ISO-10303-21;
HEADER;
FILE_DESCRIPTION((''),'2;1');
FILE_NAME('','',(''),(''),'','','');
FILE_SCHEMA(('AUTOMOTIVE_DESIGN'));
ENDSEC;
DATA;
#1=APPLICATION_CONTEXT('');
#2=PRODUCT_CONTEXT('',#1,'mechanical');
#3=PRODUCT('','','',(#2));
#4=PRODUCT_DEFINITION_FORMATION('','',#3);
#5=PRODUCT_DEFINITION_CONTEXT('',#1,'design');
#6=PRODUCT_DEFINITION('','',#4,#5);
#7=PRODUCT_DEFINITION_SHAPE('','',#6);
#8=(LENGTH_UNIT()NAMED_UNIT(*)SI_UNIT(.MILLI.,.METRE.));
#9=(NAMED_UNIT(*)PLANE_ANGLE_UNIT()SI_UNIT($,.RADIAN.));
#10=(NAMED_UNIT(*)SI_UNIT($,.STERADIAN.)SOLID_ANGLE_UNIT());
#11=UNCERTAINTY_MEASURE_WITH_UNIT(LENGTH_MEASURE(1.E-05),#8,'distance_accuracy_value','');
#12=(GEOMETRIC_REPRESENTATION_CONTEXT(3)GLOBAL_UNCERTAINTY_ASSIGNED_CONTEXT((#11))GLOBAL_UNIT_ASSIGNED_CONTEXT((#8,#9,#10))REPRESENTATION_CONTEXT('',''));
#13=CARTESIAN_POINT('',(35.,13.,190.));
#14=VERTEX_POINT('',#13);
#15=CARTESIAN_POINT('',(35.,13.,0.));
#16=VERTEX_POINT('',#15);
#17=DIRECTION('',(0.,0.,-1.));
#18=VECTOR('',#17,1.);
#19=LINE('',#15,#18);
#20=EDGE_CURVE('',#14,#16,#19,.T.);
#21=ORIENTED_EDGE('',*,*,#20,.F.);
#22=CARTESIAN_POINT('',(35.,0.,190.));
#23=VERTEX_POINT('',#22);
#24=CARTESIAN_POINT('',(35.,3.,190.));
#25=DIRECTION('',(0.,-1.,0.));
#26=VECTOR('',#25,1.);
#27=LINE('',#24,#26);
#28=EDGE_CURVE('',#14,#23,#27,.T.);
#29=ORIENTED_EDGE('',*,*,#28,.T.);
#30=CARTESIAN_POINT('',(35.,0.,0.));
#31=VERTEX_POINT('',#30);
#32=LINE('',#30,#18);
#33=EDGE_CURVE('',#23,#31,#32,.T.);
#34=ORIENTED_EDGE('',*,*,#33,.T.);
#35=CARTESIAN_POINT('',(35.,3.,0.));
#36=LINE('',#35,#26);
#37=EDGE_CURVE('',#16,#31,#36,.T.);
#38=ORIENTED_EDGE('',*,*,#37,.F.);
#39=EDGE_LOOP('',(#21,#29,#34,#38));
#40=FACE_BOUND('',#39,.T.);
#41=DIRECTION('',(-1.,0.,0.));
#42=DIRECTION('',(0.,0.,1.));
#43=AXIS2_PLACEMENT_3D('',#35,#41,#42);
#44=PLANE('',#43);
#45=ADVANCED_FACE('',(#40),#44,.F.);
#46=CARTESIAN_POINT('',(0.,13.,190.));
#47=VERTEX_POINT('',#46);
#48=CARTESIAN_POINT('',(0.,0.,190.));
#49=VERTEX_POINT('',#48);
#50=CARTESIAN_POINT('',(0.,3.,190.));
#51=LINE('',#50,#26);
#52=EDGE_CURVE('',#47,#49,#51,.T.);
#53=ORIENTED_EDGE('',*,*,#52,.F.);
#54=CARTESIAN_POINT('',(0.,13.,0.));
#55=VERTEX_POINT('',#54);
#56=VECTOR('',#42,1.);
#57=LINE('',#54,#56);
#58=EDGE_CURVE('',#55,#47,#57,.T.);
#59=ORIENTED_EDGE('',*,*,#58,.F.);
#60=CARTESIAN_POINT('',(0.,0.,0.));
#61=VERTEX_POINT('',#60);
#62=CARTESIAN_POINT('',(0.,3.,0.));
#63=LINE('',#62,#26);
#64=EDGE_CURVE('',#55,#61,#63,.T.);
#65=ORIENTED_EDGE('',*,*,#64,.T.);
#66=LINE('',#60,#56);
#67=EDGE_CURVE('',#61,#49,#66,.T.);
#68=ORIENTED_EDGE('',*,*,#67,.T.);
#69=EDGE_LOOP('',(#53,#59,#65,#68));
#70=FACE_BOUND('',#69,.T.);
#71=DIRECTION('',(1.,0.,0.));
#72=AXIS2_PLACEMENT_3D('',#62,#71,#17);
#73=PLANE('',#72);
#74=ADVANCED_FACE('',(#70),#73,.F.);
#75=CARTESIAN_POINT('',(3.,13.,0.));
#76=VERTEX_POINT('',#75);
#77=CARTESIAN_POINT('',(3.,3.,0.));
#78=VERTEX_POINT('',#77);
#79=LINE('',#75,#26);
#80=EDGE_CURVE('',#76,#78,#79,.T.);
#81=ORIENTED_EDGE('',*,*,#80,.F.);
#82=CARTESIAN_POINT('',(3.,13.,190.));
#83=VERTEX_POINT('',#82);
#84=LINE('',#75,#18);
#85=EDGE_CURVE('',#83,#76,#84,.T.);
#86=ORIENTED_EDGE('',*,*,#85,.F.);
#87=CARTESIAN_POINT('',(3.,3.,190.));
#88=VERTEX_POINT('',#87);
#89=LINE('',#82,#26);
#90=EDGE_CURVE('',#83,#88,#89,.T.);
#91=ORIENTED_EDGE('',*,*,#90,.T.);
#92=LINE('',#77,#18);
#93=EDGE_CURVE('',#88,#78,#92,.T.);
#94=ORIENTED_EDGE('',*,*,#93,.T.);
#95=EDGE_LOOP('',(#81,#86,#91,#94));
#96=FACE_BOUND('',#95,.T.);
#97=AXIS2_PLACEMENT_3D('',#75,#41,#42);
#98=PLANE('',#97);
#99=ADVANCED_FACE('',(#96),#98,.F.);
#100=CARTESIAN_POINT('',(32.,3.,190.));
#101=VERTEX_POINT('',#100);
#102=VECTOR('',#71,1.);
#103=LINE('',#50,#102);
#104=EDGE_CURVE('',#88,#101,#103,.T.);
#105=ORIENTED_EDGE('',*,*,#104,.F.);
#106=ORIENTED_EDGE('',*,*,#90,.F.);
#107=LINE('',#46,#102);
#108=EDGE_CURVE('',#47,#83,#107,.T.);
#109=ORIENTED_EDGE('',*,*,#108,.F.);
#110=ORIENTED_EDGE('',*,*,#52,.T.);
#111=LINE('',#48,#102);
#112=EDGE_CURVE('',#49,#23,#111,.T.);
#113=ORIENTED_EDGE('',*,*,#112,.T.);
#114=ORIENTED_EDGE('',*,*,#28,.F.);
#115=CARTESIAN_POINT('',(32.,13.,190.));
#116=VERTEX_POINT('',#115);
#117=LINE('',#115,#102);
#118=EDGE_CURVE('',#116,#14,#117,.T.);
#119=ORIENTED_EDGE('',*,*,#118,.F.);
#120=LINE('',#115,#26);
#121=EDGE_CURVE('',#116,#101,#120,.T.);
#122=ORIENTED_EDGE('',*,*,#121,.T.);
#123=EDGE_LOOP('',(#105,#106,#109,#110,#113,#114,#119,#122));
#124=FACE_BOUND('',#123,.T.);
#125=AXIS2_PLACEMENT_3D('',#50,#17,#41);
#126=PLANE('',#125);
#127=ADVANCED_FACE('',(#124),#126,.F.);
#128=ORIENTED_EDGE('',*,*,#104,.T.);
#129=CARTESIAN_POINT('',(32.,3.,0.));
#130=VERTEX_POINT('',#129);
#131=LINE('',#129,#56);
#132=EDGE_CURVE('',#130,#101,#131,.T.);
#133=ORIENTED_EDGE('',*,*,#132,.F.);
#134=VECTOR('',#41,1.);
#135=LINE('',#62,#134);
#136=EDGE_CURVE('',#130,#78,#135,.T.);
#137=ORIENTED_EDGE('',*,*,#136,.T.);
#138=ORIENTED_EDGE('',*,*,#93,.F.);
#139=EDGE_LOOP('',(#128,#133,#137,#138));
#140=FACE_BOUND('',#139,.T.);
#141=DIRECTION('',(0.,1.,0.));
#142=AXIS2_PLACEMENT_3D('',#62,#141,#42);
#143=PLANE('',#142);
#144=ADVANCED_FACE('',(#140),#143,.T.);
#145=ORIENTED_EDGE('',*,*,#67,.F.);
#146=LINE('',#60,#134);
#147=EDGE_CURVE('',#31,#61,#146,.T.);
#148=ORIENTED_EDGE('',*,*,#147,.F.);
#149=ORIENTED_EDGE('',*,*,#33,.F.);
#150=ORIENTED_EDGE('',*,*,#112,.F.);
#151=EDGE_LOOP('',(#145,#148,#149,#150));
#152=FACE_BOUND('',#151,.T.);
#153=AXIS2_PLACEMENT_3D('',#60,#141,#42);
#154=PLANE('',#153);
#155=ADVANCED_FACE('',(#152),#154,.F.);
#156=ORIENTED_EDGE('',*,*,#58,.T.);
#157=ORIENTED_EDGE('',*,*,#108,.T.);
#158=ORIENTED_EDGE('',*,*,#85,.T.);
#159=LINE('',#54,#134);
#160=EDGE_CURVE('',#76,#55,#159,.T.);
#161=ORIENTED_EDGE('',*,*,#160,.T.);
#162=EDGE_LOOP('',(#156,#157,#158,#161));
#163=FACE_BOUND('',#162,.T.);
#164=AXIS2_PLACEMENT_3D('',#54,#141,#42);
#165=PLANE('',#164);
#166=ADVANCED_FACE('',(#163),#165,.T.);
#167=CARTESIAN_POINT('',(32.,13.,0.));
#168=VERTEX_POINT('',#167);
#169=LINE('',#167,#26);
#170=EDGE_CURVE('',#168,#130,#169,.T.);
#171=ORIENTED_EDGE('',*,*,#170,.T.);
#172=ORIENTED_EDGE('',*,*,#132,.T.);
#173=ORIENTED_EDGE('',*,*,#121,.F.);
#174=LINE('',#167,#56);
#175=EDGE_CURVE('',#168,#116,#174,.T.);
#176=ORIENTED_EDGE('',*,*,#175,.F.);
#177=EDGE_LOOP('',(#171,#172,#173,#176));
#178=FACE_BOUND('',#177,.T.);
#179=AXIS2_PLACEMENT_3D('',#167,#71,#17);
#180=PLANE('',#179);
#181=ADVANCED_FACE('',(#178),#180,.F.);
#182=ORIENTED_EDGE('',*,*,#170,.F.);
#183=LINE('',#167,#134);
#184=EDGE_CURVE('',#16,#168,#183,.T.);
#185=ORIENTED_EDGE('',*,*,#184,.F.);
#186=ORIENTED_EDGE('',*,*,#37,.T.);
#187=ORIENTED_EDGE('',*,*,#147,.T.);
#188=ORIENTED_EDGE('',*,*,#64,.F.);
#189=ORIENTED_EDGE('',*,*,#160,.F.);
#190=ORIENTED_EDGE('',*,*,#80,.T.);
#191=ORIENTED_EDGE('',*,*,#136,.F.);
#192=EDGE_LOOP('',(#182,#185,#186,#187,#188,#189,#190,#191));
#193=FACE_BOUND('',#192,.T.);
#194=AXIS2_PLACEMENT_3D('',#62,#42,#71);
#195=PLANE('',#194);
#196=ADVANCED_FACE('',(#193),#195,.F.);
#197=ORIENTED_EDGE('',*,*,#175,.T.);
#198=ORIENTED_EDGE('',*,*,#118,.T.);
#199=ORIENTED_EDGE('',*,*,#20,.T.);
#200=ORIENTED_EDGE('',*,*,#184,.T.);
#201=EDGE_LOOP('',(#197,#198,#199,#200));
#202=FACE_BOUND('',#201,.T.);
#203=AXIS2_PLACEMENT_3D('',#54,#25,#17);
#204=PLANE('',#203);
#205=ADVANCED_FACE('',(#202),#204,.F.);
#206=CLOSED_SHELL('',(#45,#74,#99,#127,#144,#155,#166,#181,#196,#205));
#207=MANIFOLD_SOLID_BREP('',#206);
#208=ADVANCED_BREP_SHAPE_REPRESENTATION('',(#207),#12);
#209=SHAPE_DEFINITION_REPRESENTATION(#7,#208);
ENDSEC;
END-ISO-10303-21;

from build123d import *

# Parameters (mm, degrees)
SKETCH1_W           = 35
SKETCH1_H           = 190
BOSS_EXTRUDE1_DEPTH = 3
SKETCH2_W           = 3
SKETCH2_H           = 190
BOSS_EXTRUDE2_DEPTH = 10


with BuildPart() as part:
    # Sketch1 → Boss-Extrude1 (new body)
    with BuildSketch(Plane(origin=(0, 0, 0), x_dir=(1, 0, 0), z_dir=(0, 1, 0))):
        with Locations((17.5, -95)):
            Rectangle(SKETCH1_W, SKETCH1_H)
    extrude(amount=BOSS_EXTRUDE1_DEPTH)

    # Sketch2 → Boss-Extrude2 (add)
    with BuildSketch(Plane(origin=(0, 3, 0), x_dir=(1, 0, 0), z_dir=(0, 1, 0))):
        with Locations((33.5, -95)):
            Rectangle(SKETCH2_W, SKETCH2_H)
        with Locations((1.5, -95)):
            Rectangle(SKETCH2_W, SKETCH2_H)
    extrude(amount=BOSS_EXTRUDE2_DEPTH)


solid = part.part
